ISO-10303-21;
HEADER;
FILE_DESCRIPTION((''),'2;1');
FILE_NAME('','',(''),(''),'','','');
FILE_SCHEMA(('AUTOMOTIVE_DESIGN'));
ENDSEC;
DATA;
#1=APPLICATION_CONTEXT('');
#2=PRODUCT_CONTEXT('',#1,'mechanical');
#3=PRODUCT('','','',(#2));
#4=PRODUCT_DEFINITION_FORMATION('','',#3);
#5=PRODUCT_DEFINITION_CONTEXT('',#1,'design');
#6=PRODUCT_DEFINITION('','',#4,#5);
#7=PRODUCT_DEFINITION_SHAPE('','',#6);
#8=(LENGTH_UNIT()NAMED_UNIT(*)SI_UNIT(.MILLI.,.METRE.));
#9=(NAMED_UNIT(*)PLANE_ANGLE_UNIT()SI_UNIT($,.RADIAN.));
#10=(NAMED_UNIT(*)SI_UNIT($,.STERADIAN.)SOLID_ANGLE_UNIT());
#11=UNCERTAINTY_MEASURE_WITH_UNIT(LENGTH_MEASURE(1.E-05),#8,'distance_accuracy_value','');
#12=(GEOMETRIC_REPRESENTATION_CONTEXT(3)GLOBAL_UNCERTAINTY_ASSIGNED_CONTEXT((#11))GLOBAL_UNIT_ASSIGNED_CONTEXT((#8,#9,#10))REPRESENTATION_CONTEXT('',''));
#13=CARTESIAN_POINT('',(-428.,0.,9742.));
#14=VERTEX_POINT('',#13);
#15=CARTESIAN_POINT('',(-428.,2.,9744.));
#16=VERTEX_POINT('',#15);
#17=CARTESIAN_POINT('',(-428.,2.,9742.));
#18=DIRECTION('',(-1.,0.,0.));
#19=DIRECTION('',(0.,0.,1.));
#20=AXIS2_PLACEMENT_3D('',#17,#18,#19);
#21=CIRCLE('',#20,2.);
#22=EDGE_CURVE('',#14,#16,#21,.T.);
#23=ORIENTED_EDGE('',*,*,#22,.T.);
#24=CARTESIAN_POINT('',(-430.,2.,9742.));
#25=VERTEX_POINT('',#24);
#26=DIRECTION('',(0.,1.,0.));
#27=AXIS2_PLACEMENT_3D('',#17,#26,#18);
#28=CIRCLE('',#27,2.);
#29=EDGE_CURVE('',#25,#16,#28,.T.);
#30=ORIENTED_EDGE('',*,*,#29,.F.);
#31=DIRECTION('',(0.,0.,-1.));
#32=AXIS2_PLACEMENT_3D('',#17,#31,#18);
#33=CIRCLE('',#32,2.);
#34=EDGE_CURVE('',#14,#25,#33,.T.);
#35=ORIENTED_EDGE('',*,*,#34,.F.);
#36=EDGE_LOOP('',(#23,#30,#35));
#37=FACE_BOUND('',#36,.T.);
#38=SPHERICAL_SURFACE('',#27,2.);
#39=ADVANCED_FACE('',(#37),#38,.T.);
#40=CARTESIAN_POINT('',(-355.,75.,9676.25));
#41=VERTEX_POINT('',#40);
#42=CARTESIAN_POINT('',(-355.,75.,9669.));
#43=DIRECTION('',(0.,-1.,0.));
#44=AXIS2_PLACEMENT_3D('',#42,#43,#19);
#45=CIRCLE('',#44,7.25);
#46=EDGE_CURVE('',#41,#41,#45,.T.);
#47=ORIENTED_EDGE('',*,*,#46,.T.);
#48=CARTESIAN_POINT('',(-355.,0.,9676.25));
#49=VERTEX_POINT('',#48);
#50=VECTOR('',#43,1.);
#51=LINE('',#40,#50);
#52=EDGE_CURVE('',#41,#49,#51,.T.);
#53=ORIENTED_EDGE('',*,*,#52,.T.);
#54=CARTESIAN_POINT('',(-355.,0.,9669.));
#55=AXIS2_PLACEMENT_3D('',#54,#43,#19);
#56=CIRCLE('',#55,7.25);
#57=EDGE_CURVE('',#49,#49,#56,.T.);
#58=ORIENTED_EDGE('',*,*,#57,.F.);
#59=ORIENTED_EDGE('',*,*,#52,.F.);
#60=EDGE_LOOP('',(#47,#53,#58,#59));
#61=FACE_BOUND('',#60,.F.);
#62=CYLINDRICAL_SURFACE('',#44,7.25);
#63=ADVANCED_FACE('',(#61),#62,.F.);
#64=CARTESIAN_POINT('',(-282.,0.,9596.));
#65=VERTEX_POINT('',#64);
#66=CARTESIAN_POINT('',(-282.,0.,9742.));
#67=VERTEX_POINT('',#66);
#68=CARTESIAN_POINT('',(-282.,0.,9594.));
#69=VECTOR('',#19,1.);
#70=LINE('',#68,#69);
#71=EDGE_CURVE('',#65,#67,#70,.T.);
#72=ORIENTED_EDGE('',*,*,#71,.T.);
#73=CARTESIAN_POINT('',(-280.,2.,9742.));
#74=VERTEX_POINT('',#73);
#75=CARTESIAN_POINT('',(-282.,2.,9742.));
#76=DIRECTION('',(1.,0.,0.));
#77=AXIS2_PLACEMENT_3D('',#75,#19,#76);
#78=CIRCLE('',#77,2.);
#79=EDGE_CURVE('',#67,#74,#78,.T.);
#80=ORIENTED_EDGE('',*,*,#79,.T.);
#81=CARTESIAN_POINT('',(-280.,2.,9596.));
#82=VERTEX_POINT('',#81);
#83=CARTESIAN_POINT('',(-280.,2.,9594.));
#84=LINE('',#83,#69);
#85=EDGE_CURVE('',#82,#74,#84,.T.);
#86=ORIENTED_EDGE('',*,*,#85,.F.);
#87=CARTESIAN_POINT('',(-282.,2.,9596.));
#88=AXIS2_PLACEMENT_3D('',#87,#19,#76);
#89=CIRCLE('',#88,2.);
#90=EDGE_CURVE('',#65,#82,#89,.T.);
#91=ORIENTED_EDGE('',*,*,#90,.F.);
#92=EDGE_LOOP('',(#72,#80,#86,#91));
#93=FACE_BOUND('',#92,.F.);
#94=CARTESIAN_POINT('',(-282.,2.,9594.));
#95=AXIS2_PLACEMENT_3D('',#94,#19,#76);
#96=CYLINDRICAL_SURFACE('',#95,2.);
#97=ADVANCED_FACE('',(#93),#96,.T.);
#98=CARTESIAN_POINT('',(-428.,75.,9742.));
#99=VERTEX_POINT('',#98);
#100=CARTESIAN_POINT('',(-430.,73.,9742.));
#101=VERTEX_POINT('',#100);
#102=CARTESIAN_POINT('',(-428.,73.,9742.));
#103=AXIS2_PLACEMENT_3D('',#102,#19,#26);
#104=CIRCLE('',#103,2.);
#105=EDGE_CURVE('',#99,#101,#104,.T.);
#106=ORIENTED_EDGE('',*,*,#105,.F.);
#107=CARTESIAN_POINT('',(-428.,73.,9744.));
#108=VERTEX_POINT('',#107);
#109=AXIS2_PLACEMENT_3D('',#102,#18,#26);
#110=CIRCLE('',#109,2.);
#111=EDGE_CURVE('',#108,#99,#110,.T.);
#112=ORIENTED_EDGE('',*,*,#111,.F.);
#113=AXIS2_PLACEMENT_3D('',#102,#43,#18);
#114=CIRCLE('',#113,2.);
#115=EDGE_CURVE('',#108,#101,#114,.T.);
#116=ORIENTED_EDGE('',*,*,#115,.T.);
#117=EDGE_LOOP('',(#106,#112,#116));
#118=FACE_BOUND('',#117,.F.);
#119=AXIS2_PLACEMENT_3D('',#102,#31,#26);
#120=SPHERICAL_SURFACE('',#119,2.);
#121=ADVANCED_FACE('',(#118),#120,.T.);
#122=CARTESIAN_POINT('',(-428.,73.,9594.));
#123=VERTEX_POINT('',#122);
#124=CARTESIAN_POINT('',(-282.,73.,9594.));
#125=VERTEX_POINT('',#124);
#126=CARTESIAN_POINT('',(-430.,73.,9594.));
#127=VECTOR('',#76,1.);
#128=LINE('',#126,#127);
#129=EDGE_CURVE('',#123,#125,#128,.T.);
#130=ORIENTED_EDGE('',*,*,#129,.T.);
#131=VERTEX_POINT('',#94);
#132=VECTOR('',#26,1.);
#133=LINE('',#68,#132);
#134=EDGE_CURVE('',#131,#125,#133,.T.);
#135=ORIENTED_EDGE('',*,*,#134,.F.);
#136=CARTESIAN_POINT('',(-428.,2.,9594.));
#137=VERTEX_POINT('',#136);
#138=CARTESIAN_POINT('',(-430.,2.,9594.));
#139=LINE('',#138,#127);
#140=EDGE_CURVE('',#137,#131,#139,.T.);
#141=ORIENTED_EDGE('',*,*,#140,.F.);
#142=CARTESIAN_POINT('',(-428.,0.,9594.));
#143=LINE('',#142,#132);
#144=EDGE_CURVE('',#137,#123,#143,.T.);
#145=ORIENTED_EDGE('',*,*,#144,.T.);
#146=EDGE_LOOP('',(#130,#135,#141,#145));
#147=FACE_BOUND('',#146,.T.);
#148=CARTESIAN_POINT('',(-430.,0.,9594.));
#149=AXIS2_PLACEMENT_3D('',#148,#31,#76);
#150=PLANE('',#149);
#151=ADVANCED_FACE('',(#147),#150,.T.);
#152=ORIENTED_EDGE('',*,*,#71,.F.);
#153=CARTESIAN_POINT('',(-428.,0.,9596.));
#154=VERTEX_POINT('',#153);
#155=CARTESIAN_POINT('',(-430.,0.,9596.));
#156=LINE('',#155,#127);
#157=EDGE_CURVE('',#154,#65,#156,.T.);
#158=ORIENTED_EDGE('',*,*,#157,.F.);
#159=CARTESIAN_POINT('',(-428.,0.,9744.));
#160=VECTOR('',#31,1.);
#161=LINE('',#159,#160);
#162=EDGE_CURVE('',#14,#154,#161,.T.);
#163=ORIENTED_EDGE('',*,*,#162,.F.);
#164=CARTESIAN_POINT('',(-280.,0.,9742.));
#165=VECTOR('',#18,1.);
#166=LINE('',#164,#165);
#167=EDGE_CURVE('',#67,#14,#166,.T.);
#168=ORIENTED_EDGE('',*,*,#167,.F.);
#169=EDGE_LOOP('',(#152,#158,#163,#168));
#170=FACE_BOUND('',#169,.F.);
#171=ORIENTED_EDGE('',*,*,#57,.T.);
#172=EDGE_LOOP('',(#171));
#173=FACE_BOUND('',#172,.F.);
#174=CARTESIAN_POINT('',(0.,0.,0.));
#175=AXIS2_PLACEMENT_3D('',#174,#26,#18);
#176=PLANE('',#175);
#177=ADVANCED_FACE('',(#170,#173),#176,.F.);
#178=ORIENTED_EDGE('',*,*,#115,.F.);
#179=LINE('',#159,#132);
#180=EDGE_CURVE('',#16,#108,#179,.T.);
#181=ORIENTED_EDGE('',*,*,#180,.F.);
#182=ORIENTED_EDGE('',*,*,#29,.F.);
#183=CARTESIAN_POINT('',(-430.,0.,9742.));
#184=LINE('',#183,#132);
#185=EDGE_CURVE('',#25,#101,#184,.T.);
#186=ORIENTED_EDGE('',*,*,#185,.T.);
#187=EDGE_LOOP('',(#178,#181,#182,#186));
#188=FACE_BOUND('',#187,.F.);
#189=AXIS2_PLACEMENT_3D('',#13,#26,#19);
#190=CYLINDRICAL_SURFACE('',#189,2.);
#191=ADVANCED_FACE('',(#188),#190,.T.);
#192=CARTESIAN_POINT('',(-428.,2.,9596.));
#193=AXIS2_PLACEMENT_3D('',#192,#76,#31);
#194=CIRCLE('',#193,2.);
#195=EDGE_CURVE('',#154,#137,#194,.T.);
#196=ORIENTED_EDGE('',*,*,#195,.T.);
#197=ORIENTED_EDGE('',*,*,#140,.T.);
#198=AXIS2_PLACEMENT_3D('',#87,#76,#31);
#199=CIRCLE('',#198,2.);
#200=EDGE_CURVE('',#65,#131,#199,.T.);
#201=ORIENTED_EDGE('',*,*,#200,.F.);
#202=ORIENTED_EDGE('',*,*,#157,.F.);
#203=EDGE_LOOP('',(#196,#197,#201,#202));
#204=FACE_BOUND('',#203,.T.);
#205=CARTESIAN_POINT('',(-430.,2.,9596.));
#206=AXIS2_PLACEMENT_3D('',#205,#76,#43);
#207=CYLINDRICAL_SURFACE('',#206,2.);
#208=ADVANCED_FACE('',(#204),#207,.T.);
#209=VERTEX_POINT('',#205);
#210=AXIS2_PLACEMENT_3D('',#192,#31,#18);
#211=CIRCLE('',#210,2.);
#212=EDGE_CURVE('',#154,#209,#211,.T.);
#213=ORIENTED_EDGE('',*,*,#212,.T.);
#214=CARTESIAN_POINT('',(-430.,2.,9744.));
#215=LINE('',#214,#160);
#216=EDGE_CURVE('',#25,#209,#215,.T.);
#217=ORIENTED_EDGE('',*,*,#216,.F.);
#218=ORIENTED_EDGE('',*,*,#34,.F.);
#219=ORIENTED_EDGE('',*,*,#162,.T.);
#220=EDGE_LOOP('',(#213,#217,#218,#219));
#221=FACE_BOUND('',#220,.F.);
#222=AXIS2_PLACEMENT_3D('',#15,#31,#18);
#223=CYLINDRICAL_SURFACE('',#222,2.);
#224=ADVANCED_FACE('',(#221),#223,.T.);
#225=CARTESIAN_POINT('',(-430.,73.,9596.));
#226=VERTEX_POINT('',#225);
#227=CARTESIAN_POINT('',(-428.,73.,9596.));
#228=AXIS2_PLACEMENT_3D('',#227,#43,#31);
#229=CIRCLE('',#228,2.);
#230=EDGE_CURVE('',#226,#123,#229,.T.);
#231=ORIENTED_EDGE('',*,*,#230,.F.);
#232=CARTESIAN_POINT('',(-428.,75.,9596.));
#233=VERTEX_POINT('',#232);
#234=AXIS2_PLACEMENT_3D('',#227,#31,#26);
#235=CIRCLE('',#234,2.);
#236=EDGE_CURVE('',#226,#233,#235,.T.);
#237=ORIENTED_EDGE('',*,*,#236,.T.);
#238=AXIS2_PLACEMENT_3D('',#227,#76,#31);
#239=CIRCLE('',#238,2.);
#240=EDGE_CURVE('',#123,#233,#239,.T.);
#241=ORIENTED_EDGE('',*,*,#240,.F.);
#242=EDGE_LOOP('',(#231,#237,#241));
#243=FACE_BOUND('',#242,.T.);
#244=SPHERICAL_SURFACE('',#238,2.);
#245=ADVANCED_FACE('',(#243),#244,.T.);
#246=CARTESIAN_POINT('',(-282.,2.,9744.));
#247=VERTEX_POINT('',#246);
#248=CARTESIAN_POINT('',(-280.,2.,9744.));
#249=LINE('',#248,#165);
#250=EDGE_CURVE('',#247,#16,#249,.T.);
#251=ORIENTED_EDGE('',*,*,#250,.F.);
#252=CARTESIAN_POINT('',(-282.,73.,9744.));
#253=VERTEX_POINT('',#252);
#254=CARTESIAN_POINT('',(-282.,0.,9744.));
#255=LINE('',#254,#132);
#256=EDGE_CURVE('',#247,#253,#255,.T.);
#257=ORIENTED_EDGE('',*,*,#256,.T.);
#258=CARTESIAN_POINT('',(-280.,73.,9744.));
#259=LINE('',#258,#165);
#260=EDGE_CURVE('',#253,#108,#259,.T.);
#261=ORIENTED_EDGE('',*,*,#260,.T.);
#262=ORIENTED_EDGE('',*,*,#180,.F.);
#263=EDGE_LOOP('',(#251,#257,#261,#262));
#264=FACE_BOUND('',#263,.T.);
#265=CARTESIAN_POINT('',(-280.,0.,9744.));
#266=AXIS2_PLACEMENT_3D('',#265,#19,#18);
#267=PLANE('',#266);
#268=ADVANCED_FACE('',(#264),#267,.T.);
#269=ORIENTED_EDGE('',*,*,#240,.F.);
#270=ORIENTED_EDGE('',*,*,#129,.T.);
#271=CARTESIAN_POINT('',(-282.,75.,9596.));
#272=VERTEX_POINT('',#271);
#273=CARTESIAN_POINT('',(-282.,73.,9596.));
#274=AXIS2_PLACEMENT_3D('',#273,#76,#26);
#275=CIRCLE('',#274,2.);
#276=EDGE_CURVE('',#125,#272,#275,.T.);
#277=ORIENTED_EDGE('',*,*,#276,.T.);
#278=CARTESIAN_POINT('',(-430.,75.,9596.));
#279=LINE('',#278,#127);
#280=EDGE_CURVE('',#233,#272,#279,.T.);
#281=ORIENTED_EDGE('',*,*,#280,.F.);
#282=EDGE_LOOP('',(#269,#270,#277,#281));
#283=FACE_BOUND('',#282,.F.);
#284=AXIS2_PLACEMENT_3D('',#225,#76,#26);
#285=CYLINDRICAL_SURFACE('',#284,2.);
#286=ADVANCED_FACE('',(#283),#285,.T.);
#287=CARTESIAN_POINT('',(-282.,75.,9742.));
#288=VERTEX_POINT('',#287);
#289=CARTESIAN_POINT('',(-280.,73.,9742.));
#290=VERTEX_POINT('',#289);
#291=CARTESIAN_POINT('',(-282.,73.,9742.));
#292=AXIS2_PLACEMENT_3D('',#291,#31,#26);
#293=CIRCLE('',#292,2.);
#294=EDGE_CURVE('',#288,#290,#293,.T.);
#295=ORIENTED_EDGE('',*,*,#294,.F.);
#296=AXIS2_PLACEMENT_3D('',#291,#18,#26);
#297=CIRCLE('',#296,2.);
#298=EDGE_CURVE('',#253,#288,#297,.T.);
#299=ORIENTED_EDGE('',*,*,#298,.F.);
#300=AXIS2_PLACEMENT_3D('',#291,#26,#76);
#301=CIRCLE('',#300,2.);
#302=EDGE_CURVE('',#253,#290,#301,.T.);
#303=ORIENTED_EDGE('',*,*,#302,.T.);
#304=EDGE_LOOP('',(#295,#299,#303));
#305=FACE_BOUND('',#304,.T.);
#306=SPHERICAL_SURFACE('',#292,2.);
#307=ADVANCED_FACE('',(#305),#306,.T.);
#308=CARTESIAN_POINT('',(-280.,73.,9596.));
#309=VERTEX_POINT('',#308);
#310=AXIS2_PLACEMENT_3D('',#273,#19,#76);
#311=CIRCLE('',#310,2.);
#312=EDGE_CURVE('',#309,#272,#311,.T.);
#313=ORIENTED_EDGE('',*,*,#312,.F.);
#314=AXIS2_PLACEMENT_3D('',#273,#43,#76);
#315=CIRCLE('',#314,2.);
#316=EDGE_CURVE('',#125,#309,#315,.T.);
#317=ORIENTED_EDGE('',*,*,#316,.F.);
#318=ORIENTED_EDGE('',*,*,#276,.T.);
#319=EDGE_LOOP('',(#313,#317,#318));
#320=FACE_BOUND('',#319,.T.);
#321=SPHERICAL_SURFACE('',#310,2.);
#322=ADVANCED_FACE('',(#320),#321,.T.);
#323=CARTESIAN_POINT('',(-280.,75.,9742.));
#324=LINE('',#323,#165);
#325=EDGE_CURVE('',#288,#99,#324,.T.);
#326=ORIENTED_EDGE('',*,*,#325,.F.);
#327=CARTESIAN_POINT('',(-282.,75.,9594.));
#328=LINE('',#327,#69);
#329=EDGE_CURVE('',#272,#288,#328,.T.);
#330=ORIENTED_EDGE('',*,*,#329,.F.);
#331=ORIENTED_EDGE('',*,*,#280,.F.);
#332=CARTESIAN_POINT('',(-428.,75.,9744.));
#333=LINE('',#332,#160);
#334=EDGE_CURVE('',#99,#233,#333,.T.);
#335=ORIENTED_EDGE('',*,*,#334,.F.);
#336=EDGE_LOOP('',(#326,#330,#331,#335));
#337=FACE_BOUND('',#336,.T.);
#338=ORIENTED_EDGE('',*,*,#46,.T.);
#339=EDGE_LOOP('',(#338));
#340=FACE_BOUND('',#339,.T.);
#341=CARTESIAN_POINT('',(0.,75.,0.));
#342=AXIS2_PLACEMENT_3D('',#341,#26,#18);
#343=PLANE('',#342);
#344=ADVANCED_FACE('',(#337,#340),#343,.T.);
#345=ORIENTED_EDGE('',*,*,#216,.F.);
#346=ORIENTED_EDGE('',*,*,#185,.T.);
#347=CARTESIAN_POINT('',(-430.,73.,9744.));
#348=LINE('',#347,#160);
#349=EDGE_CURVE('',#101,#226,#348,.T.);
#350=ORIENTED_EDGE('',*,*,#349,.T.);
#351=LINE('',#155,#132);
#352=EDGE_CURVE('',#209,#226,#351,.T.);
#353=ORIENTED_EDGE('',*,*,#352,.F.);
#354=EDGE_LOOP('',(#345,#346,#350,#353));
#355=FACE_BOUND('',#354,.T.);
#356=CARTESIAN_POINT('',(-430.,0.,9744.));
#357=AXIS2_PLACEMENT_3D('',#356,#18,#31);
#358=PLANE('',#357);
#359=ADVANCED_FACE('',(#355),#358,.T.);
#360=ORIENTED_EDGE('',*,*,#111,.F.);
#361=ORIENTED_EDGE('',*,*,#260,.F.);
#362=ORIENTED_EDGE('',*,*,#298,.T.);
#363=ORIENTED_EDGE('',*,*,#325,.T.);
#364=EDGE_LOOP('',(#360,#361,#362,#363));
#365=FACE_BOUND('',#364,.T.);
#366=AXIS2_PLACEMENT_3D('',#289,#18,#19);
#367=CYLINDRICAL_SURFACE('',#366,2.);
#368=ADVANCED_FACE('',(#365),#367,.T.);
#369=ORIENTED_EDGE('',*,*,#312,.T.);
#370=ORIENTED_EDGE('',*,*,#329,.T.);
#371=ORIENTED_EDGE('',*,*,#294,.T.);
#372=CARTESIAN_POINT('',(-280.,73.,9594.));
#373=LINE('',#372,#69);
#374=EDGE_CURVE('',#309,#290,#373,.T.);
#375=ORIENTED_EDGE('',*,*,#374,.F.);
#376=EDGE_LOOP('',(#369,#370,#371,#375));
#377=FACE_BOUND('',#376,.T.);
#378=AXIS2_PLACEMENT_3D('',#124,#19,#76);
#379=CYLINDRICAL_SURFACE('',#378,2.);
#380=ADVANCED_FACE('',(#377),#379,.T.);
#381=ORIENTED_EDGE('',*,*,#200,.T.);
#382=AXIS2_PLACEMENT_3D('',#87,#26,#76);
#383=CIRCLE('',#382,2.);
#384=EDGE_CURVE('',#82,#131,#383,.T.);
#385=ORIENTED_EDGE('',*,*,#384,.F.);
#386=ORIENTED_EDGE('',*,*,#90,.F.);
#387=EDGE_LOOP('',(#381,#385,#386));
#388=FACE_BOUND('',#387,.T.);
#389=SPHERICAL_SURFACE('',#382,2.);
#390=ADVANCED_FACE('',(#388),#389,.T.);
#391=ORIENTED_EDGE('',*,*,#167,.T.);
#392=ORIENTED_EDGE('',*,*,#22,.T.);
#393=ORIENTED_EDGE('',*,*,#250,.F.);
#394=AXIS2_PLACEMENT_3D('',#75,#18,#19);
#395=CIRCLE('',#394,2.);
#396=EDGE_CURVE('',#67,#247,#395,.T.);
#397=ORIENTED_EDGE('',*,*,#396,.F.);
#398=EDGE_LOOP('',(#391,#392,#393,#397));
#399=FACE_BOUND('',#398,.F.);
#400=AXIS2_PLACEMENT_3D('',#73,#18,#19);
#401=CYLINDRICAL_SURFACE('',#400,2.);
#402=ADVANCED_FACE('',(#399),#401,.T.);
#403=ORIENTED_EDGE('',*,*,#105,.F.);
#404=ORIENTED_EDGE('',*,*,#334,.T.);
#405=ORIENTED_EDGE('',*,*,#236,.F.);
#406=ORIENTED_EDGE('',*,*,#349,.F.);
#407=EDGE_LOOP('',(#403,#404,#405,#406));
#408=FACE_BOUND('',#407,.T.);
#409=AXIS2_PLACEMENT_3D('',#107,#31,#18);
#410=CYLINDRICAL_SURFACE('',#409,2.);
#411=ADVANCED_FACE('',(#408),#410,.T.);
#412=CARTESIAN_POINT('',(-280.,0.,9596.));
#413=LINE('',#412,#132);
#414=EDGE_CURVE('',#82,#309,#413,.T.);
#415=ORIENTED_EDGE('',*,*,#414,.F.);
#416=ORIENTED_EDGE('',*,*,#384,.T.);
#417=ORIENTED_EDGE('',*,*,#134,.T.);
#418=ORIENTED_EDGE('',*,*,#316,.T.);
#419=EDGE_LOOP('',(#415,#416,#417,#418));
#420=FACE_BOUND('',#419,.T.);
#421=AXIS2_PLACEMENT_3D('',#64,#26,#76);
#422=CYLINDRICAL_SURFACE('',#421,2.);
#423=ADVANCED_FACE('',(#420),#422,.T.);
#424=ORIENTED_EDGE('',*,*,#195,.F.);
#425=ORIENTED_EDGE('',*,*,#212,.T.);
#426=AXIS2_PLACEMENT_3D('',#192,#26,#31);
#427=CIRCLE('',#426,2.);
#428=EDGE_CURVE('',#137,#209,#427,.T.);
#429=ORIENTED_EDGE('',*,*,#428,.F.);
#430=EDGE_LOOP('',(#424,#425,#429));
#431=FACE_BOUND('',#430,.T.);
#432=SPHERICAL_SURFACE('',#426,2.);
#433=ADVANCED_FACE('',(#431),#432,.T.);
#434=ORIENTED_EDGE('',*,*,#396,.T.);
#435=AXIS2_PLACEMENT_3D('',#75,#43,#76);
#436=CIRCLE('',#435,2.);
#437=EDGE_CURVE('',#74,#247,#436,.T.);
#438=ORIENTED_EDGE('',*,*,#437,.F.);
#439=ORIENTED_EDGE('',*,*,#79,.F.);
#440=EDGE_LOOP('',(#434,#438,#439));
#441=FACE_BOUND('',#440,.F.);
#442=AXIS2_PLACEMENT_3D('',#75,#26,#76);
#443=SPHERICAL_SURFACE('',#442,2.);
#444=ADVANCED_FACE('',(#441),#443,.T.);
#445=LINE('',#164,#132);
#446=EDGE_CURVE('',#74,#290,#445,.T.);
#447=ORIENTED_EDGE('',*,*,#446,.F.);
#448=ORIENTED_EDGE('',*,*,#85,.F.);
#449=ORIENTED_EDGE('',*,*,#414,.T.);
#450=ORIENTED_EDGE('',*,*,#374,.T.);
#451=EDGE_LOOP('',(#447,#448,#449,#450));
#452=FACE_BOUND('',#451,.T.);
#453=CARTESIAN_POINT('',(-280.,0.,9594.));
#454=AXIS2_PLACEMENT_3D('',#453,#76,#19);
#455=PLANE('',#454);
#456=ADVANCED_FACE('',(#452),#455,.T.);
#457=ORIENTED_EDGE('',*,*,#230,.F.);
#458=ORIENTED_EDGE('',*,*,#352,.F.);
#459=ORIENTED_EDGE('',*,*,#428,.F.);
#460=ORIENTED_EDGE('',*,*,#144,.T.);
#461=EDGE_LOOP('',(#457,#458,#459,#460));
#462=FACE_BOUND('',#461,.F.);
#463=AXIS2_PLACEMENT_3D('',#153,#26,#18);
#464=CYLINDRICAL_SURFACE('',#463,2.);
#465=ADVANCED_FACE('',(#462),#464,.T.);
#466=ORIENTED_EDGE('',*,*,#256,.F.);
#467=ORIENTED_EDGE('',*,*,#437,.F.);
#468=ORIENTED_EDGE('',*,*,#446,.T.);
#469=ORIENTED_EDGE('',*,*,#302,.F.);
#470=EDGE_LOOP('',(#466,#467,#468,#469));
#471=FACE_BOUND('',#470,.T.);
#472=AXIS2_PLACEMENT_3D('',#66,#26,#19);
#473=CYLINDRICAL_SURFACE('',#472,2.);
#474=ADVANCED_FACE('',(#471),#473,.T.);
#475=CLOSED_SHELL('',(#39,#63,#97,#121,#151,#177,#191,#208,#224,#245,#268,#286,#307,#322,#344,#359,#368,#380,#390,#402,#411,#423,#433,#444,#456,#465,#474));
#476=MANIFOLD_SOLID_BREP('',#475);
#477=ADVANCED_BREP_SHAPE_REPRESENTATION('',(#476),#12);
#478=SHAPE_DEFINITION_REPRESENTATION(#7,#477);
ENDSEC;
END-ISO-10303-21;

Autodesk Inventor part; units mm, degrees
ref_plane "YZ Plane" through (0, 0, 0) normal (1, 0, 0) x (0, 1, 0)
ref_plane "XZ Plane" through (0, 0, 0) normal (0, 1, 0) x (-1, 0, 0)
ref_plane "XY Plane" through (0, 0, 0) normal (0, 0, 1) x (1, 0, 0)
sketch "Boceto1" plane through (0, 0, 0) normal (0, 1, 0) x (-1, 0, 0)
  line L0 (280, 9744) -> (430, 9744)
  line L1 (430, 9744) -> (430, 9594)
  line L2 (430, 9594) -> (280, 9594)
  line L3 (280, 9594) -> (280, 9744)
  point P0 (0, 0)
  dimension "d1" = 150
  dimension "d2" = 150
  dimension "d3" = 150
extrude "Extrusión1" add sketch "Boceto1" along normal blind 75
sketch "Boceto2" plane through (0, 75, 0) normal (0, 1, 0) x (1, 0, 0)
  point P0 (0, 0)
sketch "Boceto3" plane through (0, 75, 0) normal (0, 1, 0) x (1, 0, 0)
  point P0 (0, 0)
sketch "Boceto4" plane through (0, 75, 0) normal (0, 1, 0) x (1, 0, 0)
  circle A0 centre (-355, -9669) radius 7.25
  point P0 (0, 0)
  point P1 (-430, -9744)
  dimension "d8" = 14.5
hole "Agujero1" at (-355, 75, 9669) direction (0, -1, 0) diameter 14.5 end through all
fillet "Empalme1" radius 2 12 edges at (-280, 75, 9669) (-280, 37.5, 9594) (-355, 75, 9594) (-430, 37.5, 9594) (-430, 75, 9669) (-355, 75, 9744) (-430, 37.5, 9744) (-280, 37.5, 9744) (-280, 0, 9669) (-355, 0, 9594) (-430, 0, 9669) (-355, 0, 9744)
properties part number "robotico"
